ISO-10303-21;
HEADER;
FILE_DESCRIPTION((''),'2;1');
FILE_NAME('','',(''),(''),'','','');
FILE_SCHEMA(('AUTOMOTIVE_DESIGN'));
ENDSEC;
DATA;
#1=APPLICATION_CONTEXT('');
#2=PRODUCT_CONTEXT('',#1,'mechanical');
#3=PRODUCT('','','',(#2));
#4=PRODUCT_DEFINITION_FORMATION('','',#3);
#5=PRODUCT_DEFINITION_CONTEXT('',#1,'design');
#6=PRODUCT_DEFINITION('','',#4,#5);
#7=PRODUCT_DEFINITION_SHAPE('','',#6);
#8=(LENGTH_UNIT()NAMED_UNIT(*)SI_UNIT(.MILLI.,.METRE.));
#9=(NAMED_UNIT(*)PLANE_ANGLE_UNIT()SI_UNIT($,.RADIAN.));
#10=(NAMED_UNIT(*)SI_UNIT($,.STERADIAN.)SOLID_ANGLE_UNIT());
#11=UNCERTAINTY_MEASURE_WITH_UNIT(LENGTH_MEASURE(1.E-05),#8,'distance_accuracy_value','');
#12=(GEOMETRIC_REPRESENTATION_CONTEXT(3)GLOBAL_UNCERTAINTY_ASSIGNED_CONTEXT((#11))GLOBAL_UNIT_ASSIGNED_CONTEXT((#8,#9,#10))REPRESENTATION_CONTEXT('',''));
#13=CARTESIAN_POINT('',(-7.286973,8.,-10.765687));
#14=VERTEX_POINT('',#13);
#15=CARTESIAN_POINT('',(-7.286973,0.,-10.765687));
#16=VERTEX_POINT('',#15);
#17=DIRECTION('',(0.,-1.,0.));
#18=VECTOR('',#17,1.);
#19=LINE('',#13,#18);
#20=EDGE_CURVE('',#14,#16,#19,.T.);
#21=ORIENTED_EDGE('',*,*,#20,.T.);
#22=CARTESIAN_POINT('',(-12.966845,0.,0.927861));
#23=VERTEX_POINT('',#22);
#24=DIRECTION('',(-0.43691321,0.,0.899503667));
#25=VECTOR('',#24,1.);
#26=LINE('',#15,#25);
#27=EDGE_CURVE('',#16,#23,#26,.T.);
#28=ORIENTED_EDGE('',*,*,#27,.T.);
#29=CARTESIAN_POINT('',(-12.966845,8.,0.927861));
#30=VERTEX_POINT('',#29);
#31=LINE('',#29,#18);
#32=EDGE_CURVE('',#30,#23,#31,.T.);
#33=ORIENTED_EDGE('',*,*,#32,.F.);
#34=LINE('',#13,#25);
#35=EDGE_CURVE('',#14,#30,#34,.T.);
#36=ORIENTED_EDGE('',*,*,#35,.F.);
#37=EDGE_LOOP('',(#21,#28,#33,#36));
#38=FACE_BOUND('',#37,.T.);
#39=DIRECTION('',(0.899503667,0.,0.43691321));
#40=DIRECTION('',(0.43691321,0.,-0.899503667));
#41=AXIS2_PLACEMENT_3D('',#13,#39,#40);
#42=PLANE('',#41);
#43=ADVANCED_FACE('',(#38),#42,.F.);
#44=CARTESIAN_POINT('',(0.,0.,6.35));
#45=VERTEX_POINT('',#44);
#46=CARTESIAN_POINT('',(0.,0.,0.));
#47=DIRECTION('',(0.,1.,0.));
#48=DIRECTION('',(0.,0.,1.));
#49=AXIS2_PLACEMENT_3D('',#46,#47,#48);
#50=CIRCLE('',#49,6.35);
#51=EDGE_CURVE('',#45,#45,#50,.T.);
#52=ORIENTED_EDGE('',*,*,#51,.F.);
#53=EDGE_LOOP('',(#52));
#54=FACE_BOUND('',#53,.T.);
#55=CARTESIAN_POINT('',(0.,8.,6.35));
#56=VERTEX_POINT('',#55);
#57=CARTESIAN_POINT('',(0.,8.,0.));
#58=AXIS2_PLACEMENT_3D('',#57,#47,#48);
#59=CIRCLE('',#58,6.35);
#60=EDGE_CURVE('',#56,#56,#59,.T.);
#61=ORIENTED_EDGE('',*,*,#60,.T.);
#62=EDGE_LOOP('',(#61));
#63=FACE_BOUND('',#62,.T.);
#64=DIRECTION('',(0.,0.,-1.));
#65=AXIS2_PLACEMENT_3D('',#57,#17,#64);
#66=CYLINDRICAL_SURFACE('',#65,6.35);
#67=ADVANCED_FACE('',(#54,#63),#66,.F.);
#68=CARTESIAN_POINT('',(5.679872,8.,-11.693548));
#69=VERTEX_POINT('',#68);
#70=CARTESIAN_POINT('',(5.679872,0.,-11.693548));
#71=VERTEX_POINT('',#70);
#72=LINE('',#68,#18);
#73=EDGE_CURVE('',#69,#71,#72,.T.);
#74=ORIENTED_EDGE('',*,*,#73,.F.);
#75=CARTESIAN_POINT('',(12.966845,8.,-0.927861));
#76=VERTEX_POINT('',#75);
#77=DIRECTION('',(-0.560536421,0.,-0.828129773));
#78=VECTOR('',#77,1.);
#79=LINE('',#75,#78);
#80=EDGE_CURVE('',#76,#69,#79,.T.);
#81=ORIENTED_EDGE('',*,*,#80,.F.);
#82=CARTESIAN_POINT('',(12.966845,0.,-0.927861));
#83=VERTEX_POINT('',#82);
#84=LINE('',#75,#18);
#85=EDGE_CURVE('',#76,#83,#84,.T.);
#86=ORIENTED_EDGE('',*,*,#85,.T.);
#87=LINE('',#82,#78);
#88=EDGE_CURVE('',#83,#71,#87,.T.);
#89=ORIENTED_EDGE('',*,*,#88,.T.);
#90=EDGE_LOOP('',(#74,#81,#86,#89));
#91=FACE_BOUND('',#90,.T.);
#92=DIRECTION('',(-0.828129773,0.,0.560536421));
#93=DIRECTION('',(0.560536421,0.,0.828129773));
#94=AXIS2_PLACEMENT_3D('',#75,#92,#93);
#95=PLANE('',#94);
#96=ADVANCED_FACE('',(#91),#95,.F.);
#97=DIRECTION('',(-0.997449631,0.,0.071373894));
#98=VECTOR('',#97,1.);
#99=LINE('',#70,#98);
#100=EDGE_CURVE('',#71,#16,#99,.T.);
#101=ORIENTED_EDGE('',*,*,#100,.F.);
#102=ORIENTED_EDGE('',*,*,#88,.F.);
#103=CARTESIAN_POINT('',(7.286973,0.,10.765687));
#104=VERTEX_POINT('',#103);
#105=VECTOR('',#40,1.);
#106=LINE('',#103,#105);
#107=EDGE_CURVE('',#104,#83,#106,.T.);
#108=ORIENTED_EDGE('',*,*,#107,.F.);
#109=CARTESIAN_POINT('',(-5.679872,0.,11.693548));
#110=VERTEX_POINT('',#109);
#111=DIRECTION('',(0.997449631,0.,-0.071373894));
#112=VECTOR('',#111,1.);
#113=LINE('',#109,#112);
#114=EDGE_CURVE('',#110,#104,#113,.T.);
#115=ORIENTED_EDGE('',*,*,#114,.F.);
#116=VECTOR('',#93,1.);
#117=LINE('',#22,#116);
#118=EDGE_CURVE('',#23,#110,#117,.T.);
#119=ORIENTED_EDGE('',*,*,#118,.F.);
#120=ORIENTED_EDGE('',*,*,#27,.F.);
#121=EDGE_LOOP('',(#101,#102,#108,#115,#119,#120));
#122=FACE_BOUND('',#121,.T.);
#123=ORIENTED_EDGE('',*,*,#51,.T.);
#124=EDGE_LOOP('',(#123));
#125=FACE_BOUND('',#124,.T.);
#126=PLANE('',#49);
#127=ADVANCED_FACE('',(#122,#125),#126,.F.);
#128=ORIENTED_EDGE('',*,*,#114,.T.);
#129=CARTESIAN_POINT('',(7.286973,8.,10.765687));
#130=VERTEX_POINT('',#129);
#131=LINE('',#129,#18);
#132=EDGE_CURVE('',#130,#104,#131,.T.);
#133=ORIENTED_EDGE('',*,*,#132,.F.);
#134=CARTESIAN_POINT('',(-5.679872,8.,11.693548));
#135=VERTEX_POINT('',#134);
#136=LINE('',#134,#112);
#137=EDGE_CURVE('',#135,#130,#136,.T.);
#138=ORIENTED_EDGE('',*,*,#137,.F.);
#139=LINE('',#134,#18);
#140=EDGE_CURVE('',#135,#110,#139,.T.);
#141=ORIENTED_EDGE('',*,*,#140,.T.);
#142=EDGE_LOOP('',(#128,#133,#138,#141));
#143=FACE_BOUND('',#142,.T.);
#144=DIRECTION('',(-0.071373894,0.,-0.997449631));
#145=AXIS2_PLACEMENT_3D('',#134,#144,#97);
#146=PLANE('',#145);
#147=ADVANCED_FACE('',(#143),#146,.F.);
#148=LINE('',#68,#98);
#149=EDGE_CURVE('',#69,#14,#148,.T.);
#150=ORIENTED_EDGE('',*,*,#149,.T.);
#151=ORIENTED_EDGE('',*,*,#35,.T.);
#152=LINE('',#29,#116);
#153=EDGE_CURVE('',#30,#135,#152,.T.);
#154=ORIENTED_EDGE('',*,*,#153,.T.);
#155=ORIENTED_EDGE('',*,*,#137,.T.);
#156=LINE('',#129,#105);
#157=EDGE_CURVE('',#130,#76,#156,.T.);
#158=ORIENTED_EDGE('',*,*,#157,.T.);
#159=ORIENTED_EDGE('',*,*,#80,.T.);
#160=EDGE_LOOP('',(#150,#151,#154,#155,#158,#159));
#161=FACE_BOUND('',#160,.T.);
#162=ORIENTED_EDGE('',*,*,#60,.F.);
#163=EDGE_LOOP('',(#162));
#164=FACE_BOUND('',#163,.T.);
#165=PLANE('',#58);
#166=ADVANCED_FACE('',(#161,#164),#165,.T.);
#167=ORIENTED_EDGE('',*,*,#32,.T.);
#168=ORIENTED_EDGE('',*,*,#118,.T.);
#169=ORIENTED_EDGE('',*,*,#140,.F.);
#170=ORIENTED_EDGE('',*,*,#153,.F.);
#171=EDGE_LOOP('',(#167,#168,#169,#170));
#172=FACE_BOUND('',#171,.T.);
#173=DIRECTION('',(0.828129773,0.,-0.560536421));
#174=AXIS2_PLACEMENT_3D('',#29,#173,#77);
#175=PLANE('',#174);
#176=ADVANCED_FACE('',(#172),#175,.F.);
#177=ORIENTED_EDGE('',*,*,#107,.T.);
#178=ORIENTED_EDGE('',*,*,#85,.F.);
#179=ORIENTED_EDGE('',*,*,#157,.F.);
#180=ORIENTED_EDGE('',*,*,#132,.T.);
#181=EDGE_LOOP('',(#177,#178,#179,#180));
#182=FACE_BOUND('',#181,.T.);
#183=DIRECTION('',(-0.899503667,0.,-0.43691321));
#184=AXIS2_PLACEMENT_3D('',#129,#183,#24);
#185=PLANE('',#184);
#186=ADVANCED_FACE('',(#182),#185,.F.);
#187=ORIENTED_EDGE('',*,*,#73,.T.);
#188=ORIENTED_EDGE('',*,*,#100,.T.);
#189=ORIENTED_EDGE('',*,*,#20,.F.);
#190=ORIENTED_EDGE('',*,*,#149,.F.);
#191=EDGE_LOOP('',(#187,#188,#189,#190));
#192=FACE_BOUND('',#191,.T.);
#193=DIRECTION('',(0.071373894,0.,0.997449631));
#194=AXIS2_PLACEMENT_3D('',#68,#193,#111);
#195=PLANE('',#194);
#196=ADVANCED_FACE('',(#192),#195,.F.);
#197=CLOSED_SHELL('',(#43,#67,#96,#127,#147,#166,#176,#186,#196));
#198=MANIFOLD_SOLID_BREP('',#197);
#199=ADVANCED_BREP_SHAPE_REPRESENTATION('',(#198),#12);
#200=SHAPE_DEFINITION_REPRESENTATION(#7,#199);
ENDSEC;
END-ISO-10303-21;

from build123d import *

# Parameters (mm, degrees)
SKETCH1_R           = 6.35
BOSS_EXTRUDE1_DEPTH = 8


with BuildPart() as part:
    # Sketch1 → Boss-Extrude1 (new body)
    with BuildSketch(Plane(origin=(0, 0, 0), x_dir=(1, 0, 0), z_dir=(0, 1, 0))):
        Polygon((7.286973477, -10.765687045), (12.966845208, 0.927860625), (5.679871732, 11.69354767), (-7.286973477, 10.765687045), (-12.966845208, -0.927860625), (-5.679871732, -11.69354767), align=None)
        with Locations(Location((0, 0, 0), (0, 0, 270))):
            Circle(SKETCH1_R, mode=Mode.SUBTRACT)
    extrude(amount=BOSS_EXTRUDE1_DEPTH)


solid = part.part
